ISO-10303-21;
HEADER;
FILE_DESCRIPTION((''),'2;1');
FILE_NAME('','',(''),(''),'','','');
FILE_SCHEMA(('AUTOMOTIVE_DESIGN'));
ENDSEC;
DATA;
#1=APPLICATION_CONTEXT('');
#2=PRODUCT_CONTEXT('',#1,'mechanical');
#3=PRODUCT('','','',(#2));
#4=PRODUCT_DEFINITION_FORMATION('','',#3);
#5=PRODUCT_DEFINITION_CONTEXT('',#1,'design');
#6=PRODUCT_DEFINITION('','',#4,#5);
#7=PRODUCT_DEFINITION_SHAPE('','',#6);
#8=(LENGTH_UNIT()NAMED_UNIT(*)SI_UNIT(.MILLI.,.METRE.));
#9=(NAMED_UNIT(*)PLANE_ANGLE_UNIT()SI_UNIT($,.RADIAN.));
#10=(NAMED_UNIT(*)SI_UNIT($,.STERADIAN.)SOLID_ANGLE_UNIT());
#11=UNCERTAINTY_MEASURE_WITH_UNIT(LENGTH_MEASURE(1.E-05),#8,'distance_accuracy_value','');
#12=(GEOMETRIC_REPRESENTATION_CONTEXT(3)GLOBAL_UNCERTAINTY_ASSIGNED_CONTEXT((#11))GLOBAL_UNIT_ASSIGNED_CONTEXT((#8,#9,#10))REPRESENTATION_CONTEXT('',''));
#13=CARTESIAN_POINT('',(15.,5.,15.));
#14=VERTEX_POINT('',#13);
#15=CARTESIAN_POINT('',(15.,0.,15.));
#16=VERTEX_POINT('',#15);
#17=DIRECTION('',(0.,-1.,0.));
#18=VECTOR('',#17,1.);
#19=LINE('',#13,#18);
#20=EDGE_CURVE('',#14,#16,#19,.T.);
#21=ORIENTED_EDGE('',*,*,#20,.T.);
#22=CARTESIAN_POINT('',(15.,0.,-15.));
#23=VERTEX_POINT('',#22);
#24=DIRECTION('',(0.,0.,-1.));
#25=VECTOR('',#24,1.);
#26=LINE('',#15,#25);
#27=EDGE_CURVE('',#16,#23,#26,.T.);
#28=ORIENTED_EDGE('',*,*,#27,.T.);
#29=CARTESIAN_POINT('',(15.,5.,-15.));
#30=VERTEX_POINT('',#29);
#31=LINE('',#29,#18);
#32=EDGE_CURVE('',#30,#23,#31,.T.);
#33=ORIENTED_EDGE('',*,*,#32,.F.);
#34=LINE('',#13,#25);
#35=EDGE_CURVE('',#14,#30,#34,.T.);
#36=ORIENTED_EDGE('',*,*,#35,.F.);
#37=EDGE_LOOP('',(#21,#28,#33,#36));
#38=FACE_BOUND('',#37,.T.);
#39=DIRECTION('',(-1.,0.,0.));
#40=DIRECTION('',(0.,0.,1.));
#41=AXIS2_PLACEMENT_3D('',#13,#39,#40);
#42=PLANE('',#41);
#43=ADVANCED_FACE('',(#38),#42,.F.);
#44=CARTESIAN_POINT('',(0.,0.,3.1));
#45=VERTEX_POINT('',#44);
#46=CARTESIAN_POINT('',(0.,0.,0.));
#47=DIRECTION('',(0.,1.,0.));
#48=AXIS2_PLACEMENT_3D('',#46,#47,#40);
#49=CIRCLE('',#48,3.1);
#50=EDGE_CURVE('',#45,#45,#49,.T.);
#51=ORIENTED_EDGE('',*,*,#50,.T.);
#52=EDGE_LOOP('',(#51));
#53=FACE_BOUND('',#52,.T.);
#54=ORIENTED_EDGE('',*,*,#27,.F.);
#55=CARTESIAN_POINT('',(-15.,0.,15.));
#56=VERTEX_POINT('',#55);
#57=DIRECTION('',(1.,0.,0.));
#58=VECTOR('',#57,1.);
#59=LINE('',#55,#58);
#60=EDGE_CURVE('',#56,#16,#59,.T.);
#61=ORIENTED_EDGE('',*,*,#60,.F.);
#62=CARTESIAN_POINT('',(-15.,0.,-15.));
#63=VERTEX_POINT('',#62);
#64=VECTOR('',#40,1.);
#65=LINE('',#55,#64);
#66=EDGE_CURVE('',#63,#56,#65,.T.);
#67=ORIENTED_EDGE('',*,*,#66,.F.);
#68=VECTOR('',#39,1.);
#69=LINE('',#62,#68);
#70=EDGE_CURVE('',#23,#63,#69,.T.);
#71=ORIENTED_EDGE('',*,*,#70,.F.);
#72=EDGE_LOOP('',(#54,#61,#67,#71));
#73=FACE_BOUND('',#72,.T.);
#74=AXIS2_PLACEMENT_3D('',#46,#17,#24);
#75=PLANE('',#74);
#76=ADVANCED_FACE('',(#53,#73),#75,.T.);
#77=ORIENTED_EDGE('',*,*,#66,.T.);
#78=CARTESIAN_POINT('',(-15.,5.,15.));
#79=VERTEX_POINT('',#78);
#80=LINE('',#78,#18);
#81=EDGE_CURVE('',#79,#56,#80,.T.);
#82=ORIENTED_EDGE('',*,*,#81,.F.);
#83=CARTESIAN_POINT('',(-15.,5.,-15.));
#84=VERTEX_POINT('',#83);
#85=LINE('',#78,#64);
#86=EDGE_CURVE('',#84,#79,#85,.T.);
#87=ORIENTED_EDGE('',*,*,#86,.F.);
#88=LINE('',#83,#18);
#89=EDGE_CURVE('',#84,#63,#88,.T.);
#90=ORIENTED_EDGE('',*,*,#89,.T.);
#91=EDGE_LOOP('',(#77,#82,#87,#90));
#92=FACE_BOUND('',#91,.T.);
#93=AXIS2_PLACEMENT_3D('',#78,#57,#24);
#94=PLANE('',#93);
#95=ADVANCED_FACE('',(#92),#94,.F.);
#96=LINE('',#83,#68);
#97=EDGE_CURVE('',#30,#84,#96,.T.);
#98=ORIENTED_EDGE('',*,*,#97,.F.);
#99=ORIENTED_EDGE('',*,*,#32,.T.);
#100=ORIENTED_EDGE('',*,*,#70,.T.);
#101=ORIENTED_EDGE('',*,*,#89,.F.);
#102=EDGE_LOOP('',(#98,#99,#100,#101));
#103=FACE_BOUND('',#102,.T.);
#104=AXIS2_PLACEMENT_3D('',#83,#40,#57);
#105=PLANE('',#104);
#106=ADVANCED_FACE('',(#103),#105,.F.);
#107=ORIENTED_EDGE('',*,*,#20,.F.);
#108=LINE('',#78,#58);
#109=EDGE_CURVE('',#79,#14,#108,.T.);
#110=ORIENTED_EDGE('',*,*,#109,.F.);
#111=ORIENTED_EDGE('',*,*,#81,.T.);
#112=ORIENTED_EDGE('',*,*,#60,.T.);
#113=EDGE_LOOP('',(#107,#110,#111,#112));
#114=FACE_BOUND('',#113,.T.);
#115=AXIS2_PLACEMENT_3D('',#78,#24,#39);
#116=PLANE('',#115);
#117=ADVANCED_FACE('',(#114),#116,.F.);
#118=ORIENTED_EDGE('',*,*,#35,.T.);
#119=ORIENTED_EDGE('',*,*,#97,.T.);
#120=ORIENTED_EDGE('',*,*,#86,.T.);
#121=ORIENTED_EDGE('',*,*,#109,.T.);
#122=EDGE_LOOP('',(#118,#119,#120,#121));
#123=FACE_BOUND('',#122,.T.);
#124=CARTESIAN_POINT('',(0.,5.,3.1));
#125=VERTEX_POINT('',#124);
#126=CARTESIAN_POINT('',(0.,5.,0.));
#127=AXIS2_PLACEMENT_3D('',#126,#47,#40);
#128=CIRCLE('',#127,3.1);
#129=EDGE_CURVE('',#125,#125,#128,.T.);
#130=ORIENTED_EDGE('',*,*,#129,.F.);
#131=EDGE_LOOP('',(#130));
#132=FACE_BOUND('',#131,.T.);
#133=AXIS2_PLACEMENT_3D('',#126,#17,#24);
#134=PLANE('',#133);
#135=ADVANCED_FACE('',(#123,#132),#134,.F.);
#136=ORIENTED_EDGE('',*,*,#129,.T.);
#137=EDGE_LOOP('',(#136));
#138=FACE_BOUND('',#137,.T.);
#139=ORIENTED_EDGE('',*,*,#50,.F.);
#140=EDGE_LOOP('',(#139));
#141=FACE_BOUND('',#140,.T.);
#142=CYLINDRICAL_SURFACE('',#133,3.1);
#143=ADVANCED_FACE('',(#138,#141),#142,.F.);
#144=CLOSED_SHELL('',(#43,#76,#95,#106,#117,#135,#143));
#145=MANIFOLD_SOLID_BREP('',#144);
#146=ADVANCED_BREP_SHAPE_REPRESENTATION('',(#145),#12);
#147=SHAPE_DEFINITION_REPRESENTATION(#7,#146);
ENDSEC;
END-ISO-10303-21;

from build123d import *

# Parameters (mm, degrees)
SKETCH1_W           = 30
SKETCH1_H           = 30
SKETCH1_R           = 3.1
BOSS_EXTRUDE1_DEPTH = 5


with BuildPart() as part:
    # Sketch1 → Boss-Extrude1 (new body)
    with BuildSketch(Plane(origin=(0, 0, 0), x_dir=(1, 0, 0), z_dir=(0, 1, 0))):
        Rectangle(SKETCH1_W, SKETCH1_H)
        with Locations(Location((0, 0, 0), (0, 0, 270))):
            Circle(SKETCH1_R, mode=Mode.SUBTRACT)
    extrude(amount=BOSS_EXTRUDE1_DEPTH)


solid = part.part
